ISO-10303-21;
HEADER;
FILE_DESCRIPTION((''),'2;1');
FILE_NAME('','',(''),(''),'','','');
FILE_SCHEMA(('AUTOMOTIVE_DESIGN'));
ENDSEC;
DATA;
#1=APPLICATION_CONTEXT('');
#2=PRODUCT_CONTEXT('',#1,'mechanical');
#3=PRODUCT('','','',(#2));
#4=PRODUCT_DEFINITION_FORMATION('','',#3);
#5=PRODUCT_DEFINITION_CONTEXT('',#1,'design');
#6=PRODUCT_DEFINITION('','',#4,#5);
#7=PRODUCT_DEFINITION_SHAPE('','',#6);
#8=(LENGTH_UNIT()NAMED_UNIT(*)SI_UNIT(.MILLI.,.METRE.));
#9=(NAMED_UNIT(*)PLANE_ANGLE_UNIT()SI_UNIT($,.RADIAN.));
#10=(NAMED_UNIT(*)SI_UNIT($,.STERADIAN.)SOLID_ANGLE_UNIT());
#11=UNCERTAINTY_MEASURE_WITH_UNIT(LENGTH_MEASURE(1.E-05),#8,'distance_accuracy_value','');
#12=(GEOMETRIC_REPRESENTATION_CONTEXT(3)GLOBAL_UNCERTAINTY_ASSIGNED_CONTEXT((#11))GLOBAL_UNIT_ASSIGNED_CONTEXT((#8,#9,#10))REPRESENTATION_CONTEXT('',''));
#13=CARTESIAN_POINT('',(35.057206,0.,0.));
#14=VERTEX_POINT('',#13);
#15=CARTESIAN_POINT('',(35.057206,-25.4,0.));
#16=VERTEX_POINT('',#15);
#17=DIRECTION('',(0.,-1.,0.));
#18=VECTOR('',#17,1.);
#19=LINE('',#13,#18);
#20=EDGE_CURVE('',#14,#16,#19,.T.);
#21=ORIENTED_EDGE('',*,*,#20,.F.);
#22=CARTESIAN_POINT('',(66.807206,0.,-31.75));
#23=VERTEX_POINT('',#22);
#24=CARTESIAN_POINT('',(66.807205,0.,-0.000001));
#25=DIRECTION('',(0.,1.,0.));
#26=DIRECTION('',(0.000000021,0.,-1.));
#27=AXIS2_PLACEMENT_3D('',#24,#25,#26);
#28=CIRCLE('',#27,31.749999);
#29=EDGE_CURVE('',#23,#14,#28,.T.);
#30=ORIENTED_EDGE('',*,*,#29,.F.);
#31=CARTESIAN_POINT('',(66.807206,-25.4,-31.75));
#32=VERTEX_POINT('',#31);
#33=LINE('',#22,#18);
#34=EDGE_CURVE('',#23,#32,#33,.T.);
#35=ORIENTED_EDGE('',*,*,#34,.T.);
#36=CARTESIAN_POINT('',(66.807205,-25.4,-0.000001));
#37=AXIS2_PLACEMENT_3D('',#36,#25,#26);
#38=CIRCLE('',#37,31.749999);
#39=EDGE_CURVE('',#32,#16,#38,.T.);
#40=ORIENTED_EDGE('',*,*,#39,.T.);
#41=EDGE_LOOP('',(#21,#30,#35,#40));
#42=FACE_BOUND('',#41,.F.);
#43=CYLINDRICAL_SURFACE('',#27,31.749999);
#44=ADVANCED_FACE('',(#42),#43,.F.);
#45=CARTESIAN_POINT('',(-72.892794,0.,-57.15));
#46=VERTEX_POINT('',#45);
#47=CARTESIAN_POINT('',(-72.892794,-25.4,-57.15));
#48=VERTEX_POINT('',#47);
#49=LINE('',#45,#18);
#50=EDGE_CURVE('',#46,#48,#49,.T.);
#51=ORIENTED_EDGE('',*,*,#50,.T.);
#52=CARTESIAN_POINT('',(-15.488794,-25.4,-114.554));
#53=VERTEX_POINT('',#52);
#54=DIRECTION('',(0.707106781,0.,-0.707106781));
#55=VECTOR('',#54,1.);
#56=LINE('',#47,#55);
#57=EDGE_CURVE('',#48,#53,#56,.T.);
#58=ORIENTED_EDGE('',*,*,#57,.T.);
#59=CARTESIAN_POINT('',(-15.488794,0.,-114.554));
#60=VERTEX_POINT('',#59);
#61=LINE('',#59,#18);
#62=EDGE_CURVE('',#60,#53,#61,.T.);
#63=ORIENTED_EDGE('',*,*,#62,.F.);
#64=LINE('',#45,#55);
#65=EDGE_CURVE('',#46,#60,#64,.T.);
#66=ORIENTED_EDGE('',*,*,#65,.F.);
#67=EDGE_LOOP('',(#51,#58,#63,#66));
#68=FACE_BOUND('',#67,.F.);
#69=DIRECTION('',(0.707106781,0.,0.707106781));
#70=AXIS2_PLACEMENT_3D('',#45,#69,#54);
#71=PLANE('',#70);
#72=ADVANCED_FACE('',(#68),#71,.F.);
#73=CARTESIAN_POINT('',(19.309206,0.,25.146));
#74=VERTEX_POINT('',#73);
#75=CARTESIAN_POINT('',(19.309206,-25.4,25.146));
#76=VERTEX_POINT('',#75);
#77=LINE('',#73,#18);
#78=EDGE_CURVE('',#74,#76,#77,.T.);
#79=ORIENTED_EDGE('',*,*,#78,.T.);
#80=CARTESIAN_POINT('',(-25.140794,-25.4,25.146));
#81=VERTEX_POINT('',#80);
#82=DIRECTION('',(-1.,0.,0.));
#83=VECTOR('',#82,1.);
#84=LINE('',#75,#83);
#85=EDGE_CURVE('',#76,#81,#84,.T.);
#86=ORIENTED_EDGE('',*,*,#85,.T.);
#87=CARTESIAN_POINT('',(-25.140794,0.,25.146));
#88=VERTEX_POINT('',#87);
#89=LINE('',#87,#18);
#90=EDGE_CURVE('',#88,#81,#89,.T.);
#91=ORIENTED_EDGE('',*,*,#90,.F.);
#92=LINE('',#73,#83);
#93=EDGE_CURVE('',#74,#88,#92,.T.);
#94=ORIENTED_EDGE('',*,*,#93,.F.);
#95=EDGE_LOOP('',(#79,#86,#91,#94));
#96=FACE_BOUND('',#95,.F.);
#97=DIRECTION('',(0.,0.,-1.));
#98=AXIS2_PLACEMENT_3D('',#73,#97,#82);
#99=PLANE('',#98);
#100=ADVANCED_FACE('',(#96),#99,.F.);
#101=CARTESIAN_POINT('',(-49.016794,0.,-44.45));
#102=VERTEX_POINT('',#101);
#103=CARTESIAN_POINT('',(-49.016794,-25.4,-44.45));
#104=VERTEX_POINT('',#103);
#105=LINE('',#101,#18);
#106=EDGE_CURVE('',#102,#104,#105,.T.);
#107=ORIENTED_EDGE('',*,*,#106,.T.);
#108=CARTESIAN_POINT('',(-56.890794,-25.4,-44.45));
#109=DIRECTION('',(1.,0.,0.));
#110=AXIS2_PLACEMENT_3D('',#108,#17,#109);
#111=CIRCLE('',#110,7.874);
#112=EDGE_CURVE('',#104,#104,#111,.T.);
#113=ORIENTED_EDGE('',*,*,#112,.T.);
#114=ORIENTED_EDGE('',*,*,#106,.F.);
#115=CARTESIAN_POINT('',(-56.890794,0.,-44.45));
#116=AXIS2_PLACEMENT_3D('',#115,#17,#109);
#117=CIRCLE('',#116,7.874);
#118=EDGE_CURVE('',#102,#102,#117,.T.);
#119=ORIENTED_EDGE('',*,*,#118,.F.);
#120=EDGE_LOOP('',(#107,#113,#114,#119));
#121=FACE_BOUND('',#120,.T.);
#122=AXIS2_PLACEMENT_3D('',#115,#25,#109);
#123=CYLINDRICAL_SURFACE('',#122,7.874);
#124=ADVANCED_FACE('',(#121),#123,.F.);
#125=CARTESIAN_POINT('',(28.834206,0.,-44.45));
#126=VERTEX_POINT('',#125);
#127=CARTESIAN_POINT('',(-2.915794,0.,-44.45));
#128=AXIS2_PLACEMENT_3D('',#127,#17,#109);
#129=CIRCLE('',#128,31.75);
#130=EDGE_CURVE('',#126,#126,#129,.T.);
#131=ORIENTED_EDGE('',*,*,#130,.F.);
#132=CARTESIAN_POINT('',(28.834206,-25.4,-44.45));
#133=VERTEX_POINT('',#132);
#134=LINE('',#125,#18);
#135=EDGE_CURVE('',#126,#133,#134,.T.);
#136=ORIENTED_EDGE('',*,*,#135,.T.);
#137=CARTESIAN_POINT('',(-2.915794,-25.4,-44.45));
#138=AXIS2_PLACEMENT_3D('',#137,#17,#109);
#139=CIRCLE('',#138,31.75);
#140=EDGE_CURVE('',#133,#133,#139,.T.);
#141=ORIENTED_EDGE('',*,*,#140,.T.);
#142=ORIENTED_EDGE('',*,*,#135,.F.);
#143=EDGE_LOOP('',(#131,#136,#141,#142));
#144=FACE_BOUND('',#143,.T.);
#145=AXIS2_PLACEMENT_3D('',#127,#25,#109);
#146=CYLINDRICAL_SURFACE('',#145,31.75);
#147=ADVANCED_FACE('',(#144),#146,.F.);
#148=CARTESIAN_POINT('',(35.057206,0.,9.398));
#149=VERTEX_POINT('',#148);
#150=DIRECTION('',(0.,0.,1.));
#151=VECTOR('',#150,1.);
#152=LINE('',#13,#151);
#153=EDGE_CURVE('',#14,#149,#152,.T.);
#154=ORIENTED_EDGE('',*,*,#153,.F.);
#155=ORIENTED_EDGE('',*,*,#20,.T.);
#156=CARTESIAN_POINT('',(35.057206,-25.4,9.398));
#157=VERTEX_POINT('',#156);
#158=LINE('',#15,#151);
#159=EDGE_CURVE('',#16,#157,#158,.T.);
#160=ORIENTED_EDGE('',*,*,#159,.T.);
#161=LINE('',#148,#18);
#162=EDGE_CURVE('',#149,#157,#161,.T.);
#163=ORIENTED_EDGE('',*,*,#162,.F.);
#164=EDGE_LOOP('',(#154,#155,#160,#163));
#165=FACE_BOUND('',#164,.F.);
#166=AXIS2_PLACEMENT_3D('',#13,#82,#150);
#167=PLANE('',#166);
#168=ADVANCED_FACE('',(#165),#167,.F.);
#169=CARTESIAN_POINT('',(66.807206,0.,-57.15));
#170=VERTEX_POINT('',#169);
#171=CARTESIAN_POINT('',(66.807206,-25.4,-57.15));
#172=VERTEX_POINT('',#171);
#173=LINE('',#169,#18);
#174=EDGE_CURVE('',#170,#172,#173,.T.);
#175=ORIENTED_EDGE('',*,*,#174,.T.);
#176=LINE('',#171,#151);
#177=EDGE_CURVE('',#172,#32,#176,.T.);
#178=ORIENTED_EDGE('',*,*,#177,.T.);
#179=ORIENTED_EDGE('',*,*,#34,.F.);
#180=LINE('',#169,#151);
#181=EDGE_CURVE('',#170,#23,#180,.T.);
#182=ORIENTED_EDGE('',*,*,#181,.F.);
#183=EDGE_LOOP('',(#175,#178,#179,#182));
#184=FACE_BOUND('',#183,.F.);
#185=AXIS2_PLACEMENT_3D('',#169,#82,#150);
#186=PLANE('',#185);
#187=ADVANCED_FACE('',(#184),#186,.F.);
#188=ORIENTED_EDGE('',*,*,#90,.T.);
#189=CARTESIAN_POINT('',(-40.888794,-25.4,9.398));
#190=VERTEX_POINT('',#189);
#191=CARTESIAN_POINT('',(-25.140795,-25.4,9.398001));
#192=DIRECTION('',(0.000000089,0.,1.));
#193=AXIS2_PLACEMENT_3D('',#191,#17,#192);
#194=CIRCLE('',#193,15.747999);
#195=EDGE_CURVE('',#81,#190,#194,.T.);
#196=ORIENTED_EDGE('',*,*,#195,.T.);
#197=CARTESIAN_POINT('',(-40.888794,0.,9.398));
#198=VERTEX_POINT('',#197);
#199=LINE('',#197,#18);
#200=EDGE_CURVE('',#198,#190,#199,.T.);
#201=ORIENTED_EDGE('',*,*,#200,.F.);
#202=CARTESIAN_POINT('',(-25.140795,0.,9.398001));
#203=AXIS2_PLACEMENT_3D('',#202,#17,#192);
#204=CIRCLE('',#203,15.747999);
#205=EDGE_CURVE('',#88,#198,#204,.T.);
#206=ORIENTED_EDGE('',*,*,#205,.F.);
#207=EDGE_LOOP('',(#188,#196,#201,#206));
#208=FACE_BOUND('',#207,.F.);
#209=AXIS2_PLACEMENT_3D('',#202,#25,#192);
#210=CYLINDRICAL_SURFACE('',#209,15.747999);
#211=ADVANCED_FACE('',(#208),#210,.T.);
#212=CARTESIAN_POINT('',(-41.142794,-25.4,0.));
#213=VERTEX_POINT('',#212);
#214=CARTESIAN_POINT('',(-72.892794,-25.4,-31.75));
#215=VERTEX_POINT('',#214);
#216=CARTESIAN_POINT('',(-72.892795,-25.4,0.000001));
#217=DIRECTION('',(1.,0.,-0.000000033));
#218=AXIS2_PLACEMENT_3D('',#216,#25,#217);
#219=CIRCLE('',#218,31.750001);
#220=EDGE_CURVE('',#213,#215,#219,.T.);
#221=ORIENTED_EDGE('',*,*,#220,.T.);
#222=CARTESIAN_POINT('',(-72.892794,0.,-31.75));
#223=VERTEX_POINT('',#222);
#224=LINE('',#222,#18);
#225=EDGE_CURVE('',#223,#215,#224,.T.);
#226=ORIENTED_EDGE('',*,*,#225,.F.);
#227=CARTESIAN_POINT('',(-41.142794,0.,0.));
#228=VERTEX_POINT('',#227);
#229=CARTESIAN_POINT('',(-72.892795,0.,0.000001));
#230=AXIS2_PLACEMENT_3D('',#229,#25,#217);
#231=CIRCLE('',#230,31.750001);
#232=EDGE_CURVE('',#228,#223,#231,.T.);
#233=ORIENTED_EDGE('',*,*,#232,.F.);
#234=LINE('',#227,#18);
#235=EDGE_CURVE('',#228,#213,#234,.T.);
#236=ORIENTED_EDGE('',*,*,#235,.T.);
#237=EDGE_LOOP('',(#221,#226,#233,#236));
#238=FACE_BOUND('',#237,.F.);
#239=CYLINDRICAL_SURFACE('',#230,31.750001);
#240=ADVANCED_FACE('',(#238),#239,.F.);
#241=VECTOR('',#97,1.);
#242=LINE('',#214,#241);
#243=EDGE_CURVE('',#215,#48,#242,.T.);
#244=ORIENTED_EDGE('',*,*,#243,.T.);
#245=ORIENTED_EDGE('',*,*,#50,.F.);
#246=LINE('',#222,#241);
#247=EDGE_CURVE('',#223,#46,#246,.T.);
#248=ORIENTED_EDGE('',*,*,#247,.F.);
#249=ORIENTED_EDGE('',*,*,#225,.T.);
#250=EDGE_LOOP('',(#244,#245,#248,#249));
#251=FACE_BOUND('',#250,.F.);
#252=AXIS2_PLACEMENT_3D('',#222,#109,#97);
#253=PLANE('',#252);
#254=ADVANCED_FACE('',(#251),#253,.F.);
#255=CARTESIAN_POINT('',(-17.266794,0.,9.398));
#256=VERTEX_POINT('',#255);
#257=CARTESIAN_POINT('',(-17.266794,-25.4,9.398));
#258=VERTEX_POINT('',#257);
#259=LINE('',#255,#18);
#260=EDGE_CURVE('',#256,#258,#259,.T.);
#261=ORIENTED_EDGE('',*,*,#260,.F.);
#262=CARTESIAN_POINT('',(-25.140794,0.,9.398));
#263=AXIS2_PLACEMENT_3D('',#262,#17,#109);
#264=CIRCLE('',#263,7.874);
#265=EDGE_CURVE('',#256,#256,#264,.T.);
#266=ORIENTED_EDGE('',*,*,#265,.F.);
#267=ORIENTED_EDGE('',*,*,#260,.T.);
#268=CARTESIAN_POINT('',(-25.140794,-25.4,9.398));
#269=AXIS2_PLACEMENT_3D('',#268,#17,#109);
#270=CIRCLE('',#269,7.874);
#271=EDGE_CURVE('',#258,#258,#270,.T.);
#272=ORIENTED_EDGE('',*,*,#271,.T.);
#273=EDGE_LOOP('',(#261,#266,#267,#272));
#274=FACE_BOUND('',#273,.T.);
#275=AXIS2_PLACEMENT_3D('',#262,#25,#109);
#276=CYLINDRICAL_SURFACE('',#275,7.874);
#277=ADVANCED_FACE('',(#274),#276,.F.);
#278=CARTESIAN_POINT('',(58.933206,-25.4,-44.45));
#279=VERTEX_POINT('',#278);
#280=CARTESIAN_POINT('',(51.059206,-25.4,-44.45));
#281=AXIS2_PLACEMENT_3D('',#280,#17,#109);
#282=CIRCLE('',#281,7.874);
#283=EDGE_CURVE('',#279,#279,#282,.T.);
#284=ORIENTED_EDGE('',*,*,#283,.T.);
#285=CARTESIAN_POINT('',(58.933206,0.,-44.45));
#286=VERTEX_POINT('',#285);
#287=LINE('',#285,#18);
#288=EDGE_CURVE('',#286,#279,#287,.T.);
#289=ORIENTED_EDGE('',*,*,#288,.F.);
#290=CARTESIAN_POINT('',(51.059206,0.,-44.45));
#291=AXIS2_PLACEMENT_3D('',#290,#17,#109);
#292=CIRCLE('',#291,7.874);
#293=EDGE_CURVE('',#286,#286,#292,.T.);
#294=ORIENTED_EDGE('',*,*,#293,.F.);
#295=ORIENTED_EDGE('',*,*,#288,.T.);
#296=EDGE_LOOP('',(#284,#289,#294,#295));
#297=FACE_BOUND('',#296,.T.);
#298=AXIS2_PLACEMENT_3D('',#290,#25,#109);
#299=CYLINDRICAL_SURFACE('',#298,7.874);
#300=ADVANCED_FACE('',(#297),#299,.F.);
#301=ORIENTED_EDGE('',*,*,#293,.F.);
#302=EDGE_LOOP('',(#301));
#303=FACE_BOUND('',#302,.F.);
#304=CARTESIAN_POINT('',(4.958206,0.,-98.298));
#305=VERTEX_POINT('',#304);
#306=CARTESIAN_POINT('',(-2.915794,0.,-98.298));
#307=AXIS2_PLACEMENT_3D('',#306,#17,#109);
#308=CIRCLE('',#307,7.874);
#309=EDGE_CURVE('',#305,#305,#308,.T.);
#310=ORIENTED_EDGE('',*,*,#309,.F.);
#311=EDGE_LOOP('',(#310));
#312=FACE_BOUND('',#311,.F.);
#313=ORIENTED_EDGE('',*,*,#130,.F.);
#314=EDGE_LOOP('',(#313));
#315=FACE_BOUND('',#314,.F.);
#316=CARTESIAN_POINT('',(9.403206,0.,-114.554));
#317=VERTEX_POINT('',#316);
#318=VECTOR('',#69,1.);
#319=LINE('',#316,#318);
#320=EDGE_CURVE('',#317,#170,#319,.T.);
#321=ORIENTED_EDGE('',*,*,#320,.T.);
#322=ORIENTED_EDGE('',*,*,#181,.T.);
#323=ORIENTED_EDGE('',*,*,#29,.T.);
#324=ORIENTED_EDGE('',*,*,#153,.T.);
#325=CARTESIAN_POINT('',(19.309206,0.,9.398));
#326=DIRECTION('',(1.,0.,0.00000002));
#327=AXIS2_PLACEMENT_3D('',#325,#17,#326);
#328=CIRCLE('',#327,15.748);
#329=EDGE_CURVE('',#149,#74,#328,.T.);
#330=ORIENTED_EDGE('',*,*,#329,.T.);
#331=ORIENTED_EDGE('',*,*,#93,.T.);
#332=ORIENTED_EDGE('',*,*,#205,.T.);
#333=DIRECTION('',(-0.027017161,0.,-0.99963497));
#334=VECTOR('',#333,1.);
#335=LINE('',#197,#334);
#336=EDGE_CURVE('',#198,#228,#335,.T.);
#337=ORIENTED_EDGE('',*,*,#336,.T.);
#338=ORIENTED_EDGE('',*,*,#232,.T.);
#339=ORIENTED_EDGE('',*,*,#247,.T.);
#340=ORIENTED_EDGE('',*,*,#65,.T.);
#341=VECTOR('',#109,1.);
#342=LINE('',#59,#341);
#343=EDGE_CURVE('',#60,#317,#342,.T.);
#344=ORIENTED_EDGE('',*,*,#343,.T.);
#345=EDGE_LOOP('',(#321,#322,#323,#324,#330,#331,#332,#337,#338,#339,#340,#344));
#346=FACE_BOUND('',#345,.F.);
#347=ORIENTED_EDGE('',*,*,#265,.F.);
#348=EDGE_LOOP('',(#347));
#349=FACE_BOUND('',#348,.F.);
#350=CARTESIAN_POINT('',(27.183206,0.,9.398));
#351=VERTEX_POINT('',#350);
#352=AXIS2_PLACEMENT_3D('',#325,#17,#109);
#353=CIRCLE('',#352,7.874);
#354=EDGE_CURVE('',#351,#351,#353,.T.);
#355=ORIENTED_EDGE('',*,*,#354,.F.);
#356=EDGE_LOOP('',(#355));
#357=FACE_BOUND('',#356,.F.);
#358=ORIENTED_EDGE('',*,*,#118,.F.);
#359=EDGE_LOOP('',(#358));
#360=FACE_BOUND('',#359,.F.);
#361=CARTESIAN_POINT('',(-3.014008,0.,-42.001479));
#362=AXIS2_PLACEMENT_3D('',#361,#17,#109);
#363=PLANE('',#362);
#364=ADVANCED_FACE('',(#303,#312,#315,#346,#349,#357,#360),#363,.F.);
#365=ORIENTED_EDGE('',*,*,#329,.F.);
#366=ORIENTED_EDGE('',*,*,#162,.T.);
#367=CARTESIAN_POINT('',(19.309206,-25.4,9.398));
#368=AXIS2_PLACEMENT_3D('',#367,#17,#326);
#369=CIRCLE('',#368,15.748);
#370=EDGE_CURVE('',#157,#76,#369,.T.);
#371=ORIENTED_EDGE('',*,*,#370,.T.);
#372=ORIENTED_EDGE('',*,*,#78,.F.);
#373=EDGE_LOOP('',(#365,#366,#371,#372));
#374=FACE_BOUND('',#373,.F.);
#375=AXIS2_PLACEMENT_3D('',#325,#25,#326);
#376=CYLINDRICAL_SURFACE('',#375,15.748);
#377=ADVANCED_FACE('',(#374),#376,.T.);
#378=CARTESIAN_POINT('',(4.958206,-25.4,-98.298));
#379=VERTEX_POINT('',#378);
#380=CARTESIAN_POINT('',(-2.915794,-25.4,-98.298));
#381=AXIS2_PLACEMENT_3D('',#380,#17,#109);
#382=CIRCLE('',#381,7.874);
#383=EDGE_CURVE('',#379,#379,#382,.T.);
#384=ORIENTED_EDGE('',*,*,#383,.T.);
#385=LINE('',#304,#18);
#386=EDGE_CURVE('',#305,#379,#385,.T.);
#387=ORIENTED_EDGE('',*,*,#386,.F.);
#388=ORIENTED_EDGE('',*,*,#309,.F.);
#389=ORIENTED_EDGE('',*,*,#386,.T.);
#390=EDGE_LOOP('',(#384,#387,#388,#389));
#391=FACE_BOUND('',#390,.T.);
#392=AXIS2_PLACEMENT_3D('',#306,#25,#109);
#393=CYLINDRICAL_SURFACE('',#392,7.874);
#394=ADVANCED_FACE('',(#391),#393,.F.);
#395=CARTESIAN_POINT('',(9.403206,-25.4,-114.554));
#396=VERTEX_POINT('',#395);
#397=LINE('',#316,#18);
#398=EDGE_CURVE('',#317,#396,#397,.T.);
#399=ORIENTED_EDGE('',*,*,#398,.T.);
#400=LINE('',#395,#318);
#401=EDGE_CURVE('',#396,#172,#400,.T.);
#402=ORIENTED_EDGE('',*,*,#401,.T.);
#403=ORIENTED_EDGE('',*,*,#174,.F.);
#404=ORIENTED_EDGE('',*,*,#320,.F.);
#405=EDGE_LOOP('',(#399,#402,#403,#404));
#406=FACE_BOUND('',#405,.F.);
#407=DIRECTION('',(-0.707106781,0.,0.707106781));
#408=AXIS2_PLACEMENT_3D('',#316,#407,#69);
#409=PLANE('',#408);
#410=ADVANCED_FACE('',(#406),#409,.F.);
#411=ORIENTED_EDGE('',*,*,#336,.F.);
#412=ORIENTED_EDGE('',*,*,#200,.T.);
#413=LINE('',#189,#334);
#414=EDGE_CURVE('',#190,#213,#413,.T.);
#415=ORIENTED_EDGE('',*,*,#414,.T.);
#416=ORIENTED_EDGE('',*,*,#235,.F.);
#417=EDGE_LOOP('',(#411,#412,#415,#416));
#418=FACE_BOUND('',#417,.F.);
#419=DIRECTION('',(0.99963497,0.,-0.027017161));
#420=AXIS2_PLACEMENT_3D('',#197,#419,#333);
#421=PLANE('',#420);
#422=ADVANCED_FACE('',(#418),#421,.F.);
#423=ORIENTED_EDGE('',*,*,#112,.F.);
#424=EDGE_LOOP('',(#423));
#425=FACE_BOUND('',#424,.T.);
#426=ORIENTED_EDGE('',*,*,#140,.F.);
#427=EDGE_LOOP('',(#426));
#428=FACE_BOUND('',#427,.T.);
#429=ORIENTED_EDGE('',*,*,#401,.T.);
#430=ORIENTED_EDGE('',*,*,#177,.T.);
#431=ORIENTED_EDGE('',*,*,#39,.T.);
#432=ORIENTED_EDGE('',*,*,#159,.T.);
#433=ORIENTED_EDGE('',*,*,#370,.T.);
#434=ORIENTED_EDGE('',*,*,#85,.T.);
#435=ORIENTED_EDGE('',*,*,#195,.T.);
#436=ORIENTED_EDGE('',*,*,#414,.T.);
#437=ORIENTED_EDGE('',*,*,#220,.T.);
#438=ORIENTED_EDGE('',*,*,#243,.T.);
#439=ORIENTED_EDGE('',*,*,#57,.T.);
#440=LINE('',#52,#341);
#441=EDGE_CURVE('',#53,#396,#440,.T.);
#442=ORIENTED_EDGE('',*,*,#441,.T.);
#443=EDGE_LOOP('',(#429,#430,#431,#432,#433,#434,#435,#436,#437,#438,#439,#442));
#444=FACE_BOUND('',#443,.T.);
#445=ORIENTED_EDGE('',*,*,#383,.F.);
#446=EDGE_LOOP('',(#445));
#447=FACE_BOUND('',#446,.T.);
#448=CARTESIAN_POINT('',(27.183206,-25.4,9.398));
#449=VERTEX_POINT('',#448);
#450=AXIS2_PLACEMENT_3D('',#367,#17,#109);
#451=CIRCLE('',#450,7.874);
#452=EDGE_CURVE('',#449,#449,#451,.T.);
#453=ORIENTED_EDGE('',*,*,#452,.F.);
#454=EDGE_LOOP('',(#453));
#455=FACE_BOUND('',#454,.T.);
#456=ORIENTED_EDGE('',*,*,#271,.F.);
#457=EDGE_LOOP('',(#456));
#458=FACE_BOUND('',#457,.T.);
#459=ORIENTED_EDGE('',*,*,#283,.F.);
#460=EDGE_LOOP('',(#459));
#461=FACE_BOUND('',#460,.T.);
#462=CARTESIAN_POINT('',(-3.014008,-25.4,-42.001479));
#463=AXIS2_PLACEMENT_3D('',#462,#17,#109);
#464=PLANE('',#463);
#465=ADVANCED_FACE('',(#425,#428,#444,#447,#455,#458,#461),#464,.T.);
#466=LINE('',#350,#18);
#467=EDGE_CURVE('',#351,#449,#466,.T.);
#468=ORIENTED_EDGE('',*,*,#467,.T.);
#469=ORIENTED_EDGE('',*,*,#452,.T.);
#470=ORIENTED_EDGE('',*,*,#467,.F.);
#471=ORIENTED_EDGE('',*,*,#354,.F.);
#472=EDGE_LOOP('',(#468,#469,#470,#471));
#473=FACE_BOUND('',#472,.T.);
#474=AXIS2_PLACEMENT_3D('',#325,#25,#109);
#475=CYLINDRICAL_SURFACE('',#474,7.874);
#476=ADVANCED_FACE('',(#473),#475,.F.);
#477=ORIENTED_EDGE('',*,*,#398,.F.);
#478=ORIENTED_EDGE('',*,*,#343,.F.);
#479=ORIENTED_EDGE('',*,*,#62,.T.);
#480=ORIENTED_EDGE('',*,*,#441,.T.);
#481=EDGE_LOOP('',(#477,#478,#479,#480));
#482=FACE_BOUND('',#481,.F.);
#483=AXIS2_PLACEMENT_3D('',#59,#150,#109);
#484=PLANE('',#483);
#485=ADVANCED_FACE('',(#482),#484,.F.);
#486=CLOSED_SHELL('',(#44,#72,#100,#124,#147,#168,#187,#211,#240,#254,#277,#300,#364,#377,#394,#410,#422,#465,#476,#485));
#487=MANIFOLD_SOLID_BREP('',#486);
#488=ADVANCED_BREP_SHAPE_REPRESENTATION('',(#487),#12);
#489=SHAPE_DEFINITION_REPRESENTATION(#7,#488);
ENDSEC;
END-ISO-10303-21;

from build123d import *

# Parameters (mm, degrees)
F0_R     = 7.874
F0_R_2   = 31.75
F1_DEPTH = 25.4


with BuildPart() as f1:
    # F0 (on Front) → F1 (new body)
    with BuildSketch(Plane.XZ):
        with BuildLine():
            Line((-72.892794, -57.15), (-15.488794, -114.554))
            Line((-15.488794, -114.554), (9.403206, -114.554))
            Line((9.403206, -114.554), (66.807206, -57.15))
            Line((66.807206, -57.15), (66.807206, -31.75))
            ThreePointArc((66.807206, -31.75), (44.356565, -22.45064), (35.057206, 0))
            Line((35.057206, 0), (35.057206, 9.398))
            ThreePointArc((35.057206, 9.398), (30.444723, 20.533518), (19.309206, 25.146))
            Line((19.309206, 25.146), (-25.140794, 25.146))
            ThreePointArc((-25.140794, 25.146), (-36.276312, 20.533518), (-40.888794, 9.398))
            Line((-40.888794, 9.398), (-41.142794, 0))
            ThreePointArc((-41.142794, 0), (-50.442154, -22.45064), (-72.892794, -31.75))
            Line((-72.892794, -31.75), (-72.892794, -57.15))
        make_face()
        with Locations((-2.915794, -98.298)):
            Circle(F0_R, mode=Mode.SUBTRACT)
        with Locations((-56.890794, -44.45)):
            Circle(F0_R, mode=Mode.SUBTRACT)
        with Locations((-25.140794, 9.398)):
            Circle(F0_R, mode=Mode.SUBTRACT)
        with Locations((-2.915794, -44.45)):
            Circle(F0_R_2, mode=Mode.SUBTRACT)
        with Locations((51.059206, -44.45)):
            Circle(F0_R, mode=Mode.SUBTRACT)
        with Locations((19.309206, 9.398)):
            Circle(F0_R, mode=Mode.SUBTRACT)
    extrude(amount=F1_DEPTH)


solid = f1.part
